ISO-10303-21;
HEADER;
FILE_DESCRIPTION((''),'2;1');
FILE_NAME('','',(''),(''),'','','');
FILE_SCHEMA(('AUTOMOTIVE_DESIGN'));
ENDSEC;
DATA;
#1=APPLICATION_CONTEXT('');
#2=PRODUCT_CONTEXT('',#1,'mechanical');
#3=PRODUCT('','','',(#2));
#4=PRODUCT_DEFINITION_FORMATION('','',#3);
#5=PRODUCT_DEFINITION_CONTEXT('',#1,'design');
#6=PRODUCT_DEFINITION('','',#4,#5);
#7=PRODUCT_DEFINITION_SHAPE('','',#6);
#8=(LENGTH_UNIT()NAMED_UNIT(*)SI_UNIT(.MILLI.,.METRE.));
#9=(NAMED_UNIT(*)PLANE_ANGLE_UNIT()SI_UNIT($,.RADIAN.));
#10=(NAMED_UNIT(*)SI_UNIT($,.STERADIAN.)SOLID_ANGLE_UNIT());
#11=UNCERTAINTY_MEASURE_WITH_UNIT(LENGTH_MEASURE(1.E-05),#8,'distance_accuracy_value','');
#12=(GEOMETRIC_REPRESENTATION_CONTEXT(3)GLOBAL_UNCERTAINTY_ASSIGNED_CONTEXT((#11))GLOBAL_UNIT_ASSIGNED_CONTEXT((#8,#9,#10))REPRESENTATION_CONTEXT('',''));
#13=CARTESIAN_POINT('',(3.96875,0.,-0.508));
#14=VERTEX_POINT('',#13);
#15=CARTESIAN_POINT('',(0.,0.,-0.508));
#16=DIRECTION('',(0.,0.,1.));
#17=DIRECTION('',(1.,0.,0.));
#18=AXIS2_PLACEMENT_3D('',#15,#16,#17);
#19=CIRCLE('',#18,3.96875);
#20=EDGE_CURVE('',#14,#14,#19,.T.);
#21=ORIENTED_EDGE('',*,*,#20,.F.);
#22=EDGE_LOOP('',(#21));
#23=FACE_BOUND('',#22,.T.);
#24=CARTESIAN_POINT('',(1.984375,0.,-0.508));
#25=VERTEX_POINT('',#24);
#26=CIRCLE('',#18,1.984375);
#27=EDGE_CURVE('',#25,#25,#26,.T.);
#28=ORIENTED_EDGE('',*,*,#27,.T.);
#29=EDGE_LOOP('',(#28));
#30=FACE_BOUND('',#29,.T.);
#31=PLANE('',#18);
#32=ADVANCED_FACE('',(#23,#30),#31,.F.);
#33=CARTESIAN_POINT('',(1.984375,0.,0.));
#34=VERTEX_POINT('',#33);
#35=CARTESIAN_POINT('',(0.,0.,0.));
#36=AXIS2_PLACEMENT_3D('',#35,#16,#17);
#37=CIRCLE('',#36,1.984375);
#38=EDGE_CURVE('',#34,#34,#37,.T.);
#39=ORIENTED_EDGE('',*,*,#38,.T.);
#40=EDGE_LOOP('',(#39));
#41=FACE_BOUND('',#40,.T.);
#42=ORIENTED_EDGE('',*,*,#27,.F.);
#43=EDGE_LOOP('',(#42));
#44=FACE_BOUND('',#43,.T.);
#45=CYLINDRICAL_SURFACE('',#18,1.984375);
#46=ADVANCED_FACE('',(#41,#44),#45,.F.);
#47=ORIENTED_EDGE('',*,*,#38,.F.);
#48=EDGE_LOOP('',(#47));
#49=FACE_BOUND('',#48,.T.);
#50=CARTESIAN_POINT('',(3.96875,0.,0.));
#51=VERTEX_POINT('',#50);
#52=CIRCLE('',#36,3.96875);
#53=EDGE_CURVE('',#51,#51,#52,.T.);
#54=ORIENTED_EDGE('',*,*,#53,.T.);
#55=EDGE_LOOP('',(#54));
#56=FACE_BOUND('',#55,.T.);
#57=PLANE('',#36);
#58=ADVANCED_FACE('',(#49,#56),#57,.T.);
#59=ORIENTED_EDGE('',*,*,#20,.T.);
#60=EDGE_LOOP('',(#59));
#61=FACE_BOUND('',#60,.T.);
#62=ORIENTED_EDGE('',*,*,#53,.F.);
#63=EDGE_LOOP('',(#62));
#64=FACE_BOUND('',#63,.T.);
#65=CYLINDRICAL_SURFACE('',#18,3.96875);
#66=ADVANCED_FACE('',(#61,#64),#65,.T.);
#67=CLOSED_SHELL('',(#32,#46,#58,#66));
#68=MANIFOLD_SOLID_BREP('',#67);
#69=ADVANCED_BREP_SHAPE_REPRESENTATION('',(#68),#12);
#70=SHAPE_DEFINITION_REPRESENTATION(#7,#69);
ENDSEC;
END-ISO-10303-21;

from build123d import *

# Parameters (mm, degrees)
SKETCH1_R      = 3.96875
SKETCH1_R_2    = 1.984375
EXTRUDE1_DEPTH = 0.508


with BuildPart() as part:
    # Sketch1 → Extrude1 (new body)
    with BuildSketch(Plane.XY):
        Circle(SKETCH1_R)
        Circle(SKETCH1_R_2, mode=Mode.SUBTRACT)
    extrude(amount=-EXTRUDE1_DEPTH)


solid = part.part
